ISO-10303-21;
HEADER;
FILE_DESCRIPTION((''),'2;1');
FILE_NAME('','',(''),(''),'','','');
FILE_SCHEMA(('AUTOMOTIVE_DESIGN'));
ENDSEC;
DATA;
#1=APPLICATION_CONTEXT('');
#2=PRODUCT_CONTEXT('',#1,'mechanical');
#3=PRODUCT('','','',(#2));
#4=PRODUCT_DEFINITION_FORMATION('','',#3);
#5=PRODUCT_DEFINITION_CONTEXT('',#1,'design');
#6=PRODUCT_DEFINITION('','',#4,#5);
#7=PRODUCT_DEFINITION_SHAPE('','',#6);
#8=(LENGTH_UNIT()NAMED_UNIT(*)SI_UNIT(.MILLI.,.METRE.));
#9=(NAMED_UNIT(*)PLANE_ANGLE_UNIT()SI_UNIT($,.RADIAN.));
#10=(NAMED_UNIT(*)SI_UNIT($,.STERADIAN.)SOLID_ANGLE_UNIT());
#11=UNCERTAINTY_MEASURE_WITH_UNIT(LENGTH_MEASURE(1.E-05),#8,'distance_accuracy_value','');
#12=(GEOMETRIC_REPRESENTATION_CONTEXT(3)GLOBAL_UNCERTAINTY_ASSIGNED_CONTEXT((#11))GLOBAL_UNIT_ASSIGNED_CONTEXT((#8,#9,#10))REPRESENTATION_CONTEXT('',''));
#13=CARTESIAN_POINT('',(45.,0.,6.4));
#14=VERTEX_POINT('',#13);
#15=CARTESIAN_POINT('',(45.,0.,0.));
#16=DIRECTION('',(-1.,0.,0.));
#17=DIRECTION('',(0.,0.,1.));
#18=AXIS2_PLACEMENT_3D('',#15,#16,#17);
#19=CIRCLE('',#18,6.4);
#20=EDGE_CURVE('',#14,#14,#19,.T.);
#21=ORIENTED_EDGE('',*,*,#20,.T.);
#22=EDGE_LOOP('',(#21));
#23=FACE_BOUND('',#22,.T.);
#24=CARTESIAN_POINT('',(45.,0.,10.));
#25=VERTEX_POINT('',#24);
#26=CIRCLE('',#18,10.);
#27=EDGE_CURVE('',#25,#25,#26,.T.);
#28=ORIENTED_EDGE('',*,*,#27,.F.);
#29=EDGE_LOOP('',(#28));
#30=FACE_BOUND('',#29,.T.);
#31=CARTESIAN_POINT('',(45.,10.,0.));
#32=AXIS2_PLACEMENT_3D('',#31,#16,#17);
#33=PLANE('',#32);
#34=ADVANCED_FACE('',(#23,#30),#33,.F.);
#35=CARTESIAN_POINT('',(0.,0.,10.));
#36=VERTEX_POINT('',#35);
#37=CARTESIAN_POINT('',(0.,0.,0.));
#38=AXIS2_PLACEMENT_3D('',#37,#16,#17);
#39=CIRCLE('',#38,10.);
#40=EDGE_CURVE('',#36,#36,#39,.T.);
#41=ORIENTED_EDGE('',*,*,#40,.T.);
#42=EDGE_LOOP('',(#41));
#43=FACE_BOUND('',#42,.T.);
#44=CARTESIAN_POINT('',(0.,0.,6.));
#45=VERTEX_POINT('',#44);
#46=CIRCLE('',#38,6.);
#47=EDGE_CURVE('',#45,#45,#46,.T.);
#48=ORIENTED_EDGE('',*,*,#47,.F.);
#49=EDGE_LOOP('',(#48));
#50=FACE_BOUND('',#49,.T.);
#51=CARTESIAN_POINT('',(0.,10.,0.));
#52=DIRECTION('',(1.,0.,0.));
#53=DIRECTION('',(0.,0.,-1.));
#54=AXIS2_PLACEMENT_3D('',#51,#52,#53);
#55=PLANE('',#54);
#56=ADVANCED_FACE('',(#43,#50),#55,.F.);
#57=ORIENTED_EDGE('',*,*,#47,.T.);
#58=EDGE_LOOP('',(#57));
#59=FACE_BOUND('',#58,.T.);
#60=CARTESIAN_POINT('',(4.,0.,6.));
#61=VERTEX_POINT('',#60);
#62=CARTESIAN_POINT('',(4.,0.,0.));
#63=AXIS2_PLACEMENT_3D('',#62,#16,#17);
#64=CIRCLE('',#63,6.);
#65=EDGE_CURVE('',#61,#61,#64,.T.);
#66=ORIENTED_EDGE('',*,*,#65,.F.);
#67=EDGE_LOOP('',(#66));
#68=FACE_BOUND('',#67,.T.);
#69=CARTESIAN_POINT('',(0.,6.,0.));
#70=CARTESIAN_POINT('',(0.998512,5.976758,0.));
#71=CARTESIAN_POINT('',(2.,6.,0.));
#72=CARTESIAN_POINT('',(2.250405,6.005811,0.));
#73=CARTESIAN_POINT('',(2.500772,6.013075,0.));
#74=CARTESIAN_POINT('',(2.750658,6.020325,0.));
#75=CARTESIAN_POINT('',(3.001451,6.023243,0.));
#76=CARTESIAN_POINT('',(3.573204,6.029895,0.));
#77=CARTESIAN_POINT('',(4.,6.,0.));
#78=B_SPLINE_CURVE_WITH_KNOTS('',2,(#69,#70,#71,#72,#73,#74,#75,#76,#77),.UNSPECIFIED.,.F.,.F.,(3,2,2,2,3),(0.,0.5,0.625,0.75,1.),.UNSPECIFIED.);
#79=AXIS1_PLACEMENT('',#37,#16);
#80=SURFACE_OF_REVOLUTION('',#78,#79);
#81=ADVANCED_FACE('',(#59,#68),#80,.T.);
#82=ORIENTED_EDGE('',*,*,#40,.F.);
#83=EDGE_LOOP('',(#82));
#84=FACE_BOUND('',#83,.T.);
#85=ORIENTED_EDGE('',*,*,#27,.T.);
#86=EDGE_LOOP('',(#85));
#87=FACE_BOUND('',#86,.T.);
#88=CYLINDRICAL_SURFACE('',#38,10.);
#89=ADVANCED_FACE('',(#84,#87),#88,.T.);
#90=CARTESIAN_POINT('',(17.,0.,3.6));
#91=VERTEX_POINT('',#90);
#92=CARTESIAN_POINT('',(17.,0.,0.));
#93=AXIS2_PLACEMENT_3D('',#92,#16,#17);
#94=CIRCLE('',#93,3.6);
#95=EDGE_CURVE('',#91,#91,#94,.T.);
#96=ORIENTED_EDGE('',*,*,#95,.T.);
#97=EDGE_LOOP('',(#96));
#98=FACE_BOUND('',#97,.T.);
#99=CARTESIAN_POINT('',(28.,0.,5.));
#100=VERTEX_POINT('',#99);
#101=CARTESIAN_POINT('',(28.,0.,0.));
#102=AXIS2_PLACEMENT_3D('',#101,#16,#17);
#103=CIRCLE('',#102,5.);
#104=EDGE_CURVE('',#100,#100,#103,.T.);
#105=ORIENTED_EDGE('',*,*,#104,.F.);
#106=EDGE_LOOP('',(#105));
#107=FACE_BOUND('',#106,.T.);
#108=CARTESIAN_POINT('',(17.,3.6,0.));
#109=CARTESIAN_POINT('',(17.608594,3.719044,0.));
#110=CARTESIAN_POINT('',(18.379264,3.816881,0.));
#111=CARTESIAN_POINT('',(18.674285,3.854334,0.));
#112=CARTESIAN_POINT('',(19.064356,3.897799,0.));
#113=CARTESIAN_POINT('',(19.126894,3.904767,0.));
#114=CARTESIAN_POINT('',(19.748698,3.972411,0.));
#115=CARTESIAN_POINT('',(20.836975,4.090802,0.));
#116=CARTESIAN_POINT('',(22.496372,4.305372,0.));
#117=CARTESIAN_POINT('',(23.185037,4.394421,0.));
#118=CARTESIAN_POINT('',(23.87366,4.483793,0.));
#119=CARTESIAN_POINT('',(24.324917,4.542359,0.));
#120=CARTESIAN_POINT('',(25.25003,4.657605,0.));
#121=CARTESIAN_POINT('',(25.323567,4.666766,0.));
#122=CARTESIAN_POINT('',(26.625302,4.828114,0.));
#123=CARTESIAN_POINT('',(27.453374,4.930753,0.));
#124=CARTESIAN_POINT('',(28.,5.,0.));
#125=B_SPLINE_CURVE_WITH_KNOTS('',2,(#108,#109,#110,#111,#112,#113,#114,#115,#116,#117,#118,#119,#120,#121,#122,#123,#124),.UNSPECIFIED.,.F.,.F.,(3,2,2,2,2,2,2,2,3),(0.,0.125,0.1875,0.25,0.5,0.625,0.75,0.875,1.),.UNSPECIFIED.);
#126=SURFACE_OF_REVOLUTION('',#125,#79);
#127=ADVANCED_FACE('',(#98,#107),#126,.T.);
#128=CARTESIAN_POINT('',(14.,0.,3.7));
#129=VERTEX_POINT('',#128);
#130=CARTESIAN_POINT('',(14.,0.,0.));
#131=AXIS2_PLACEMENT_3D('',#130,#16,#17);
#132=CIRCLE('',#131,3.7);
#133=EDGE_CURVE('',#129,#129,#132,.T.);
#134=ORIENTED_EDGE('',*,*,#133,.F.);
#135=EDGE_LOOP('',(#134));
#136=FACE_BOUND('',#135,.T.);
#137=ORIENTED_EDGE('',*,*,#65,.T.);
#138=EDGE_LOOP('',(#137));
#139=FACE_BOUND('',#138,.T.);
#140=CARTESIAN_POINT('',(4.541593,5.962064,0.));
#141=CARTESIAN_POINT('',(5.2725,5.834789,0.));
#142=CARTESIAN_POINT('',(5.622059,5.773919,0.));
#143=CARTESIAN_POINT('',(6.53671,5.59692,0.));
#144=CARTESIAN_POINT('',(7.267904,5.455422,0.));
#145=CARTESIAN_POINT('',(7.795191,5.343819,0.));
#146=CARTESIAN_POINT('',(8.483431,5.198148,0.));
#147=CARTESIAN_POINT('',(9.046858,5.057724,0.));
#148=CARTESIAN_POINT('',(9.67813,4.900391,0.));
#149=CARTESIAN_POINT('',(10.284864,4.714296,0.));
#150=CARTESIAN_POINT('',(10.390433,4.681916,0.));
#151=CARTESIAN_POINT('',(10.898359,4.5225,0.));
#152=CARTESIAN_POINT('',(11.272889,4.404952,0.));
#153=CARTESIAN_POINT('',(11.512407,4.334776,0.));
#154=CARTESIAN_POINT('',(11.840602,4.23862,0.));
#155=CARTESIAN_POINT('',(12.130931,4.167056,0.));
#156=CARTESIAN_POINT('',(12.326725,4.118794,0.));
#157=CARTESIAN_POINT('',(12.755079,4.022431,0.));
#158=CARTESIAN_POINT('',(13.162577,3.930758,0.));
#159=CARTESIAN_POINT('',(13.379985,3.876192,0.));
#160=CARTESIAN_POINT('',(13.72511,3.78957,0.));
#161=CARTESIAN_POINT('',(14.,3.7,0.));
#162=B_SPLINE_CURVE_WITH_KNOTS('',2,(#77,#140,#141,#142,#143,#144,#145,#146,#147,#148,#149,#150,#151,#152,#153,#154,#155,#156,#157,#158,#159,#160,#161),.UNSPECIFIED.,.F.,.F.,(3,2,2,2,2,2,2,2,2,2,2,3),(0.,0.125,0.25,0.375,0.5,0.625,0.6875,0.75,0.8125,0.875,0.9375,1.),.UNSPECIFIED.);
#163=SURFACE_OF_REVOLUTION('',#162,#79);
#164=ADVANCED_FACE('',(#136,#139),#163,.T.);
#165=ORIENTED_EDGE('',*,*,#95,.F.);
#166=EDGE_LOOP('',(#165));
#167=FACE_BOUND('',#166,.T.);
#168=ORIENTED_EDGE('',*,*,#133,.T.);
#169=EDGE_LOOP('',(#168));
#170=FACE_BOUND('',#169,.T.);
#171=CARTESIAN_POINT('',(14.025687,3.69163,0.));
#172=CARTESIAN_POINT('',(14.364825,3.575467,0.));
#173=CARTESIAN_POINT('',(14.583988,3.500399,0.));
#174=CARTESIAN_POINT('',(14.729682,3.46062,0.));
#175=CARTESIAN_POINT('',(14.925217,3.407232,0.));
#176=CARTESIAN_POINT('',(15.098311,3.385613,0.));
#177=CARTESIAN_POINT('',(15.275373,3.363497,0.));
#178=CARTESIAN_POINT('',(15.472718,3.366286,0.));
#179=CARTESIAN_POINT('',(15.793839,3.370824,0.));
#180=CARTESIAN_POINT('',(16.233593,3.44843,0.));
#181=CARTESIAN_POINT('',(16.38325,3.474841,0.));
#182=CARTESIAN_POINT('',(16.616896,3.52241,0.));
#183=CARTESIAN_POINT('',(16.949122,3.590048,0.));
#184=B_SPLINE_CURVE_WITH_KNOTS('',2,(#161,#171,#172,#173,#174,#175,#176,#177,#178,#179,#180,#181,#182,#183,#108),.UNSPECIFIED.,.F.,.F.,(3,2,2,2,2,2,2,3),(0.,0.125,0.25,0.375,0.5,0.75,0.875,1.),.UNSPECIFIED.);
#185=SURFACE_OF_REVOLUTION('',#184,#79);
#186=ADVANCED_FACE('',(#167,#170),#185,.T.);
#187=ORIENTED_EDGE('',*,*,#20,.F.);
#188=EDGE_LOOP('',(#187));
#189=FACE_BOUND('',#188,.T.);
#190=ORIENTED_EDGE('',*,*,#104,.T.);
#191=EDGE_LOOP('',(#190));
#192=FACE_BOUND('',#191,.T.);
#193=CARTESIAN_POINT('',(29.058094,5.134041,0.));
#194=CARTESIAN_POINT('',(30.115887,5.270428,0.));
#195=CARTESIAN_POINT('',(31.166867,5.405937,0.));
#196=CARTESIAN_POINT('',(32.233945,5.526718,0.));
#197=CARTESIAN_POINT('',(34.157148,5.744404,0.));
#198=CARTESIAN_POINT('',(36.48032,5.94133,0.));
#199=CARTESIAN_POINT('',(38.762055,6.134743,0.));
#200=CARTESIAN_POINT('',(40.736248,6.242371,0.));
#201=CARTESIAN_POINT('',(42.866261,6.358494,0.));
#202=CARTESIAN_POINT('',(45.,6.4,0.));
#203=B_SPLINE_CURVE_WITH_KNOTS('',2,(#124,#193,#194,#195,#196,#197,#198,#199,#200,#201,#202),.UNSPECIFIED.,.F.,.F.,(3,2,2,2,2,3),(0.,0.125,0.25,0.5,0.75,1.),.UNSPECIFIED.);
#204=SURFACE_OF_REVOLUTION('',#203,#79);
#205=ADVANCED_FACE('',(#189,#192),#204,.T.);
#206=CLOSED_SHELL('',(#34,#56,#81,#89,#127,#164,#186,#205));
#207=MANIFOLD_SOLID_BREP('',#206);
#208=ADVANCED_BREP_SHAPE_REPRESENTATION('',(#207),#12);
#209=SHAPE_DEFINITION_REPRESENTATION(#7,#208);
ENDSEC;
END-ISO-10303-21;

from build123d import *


with BuildPart() as part:
    # Çizim1 → Döndür1 (revolve)
    with BuildSketch(Plane.XY, mode=Mode.PRIVATE) as d_nd_r1_sk:
        with BuildLine():
            Line((0, 10), (0, 6))
            add(Edge.make_bspline(
                [(3.999999999, 6), (3.573203683, 6.029894864), (3.001451472, 6.023242918), (2.750658449, 6.020325113), (2.500772177, 6.013075172), (2.250405052, 6.00581128), (2, 6), (0.998511657, 5.97675794), (0, 6)],
                knots=[0, 0, 0, 0.25, 0.25, 0.375, 0.375, 0.5, 0.5, 1, 1, 1], degree=2))
            add(Edge.make_bspline(
                [(13.999999999, 3.7), (13.725109771, 3.789570446), (13.379985223, 3.876191987), (13.16257695, 3.93075849), (12.755078747, 4.022430649), (12.326725472, 4.118794435), (12.130931018, 4.167056311), (11.840601575, 4.238620358), (11.512406828, 4.334776454), (11.272889149, 4.40495151), (10.898359161, 4.522500188), (10.390433228, 4.681916051), (10.284863999, 4.714295864), (9.678129877, 4.900391164), (9.046858498, 5.057724167), (8.483431364, 5.198148217), (7.795190546, 5.343818741), (7.267903779, 5.455422321), (6.536709902, 5.596919792), (5.622059189, 5.773919036), (5.272499855, 5.834788977), (4.541593183, 5.962064212), (3.999999999, 6)],
                knots=[0, 0, 0, 0.0625, 0.0625, 0.125, 0.125, 0.1875, 0.1875, 0.25, 0.25, 0.3125, 0.3125, 0.375, 0.375, 0.5, 0.5, 0.625, 0.625, 0.75, 0.75, 0.875, 0.875, 1, 1, 1], degree=2))
            add(Edge.make_bspline(
                [(17.000000001, 3.6), (16.94912206, 3.590048056), (16.616896338, 3.522409625), (16.383250062, 3.474841161), (16.233592954, 3.448430181), (15.793839444, 3.370823968), (15.472717608, 3.36628616), (15.275373224, 3.363497465), (15.098310939, 3.385612624), (14.925217424, 3.407232082), (14.72968193, 3.460619582), (14.583988305, 3.500398644), (14.364825373, 3.575467167), (14.02568746, 3.691629978), (13.999999999, 3.7)],
                knots=[0, 0, 0, 0.125, 0.125, 0.25, 0.25, 0.5, 0.5, 0.625, 0.625, 0.75, 0.75, 0.875, 0.875, 1, 1, 1], degree=2))
            add(Edge.make_bspline(
                [(28, 5), (27.453374371, 4.930752702), (26.625302067, 4.828114198), (25.323567376, 4.666765846), (25.250029749, 4.657604863), (24.324917168, 4.542358553), (23.873659832, 4.483792961), (23.185036587, 4.394421277), (22.496371529, 4.305372362), (20.836975445, 4.09080155), (19.748698159, 3.972411465), (19.126893942, 3.904767442), (19.06435576, 3.897798962), (18.674284635, 3.854334269), (18.379264226, 3.816881085), (17.608594002, 3.719043604), (17.000000001, 3.6)],
                knots=[0, 0, 0, 0.125, 0.125, 0.25, 0.25, 0.375, 0.375, 0.5, 0.5, 0.75, 0.75, 0.8125, 0.8125, 0.875, 0.875, 1, 1, 1], degree=2))
            add(Edge.make_bspline(
                [(45, 6.4), (42.866261495, 6.358494477), (40.736247962, 6.242371115), (38.762055309, 6.134742742), (36.480319512, 5.941329752), (34.157148009, 5.744404434), (32.233944641, 5.526718354), (31.166866956, 5.405936557), (30.115887491, 5.270427977), (29.05809369, 5.134040787), (28, 5)],
                knots=[0, 0, 0, 0.25, 0.25, 0.5, 0.5, 0.75, 0.75, 0.875, 0.875, 1, 1, 1], degree=2))
            Line((45, 6.4), (45, 10))
            Line((45, 10), (0, 10))
        make_face()
    revolve(d_nd_r1_sk.sketch.rotate(Axis((0, 0, 0), (1, 0, 0)), 90), axis=Axis((0, 0, 0), (1, 0, 0)))


solid = part.part
